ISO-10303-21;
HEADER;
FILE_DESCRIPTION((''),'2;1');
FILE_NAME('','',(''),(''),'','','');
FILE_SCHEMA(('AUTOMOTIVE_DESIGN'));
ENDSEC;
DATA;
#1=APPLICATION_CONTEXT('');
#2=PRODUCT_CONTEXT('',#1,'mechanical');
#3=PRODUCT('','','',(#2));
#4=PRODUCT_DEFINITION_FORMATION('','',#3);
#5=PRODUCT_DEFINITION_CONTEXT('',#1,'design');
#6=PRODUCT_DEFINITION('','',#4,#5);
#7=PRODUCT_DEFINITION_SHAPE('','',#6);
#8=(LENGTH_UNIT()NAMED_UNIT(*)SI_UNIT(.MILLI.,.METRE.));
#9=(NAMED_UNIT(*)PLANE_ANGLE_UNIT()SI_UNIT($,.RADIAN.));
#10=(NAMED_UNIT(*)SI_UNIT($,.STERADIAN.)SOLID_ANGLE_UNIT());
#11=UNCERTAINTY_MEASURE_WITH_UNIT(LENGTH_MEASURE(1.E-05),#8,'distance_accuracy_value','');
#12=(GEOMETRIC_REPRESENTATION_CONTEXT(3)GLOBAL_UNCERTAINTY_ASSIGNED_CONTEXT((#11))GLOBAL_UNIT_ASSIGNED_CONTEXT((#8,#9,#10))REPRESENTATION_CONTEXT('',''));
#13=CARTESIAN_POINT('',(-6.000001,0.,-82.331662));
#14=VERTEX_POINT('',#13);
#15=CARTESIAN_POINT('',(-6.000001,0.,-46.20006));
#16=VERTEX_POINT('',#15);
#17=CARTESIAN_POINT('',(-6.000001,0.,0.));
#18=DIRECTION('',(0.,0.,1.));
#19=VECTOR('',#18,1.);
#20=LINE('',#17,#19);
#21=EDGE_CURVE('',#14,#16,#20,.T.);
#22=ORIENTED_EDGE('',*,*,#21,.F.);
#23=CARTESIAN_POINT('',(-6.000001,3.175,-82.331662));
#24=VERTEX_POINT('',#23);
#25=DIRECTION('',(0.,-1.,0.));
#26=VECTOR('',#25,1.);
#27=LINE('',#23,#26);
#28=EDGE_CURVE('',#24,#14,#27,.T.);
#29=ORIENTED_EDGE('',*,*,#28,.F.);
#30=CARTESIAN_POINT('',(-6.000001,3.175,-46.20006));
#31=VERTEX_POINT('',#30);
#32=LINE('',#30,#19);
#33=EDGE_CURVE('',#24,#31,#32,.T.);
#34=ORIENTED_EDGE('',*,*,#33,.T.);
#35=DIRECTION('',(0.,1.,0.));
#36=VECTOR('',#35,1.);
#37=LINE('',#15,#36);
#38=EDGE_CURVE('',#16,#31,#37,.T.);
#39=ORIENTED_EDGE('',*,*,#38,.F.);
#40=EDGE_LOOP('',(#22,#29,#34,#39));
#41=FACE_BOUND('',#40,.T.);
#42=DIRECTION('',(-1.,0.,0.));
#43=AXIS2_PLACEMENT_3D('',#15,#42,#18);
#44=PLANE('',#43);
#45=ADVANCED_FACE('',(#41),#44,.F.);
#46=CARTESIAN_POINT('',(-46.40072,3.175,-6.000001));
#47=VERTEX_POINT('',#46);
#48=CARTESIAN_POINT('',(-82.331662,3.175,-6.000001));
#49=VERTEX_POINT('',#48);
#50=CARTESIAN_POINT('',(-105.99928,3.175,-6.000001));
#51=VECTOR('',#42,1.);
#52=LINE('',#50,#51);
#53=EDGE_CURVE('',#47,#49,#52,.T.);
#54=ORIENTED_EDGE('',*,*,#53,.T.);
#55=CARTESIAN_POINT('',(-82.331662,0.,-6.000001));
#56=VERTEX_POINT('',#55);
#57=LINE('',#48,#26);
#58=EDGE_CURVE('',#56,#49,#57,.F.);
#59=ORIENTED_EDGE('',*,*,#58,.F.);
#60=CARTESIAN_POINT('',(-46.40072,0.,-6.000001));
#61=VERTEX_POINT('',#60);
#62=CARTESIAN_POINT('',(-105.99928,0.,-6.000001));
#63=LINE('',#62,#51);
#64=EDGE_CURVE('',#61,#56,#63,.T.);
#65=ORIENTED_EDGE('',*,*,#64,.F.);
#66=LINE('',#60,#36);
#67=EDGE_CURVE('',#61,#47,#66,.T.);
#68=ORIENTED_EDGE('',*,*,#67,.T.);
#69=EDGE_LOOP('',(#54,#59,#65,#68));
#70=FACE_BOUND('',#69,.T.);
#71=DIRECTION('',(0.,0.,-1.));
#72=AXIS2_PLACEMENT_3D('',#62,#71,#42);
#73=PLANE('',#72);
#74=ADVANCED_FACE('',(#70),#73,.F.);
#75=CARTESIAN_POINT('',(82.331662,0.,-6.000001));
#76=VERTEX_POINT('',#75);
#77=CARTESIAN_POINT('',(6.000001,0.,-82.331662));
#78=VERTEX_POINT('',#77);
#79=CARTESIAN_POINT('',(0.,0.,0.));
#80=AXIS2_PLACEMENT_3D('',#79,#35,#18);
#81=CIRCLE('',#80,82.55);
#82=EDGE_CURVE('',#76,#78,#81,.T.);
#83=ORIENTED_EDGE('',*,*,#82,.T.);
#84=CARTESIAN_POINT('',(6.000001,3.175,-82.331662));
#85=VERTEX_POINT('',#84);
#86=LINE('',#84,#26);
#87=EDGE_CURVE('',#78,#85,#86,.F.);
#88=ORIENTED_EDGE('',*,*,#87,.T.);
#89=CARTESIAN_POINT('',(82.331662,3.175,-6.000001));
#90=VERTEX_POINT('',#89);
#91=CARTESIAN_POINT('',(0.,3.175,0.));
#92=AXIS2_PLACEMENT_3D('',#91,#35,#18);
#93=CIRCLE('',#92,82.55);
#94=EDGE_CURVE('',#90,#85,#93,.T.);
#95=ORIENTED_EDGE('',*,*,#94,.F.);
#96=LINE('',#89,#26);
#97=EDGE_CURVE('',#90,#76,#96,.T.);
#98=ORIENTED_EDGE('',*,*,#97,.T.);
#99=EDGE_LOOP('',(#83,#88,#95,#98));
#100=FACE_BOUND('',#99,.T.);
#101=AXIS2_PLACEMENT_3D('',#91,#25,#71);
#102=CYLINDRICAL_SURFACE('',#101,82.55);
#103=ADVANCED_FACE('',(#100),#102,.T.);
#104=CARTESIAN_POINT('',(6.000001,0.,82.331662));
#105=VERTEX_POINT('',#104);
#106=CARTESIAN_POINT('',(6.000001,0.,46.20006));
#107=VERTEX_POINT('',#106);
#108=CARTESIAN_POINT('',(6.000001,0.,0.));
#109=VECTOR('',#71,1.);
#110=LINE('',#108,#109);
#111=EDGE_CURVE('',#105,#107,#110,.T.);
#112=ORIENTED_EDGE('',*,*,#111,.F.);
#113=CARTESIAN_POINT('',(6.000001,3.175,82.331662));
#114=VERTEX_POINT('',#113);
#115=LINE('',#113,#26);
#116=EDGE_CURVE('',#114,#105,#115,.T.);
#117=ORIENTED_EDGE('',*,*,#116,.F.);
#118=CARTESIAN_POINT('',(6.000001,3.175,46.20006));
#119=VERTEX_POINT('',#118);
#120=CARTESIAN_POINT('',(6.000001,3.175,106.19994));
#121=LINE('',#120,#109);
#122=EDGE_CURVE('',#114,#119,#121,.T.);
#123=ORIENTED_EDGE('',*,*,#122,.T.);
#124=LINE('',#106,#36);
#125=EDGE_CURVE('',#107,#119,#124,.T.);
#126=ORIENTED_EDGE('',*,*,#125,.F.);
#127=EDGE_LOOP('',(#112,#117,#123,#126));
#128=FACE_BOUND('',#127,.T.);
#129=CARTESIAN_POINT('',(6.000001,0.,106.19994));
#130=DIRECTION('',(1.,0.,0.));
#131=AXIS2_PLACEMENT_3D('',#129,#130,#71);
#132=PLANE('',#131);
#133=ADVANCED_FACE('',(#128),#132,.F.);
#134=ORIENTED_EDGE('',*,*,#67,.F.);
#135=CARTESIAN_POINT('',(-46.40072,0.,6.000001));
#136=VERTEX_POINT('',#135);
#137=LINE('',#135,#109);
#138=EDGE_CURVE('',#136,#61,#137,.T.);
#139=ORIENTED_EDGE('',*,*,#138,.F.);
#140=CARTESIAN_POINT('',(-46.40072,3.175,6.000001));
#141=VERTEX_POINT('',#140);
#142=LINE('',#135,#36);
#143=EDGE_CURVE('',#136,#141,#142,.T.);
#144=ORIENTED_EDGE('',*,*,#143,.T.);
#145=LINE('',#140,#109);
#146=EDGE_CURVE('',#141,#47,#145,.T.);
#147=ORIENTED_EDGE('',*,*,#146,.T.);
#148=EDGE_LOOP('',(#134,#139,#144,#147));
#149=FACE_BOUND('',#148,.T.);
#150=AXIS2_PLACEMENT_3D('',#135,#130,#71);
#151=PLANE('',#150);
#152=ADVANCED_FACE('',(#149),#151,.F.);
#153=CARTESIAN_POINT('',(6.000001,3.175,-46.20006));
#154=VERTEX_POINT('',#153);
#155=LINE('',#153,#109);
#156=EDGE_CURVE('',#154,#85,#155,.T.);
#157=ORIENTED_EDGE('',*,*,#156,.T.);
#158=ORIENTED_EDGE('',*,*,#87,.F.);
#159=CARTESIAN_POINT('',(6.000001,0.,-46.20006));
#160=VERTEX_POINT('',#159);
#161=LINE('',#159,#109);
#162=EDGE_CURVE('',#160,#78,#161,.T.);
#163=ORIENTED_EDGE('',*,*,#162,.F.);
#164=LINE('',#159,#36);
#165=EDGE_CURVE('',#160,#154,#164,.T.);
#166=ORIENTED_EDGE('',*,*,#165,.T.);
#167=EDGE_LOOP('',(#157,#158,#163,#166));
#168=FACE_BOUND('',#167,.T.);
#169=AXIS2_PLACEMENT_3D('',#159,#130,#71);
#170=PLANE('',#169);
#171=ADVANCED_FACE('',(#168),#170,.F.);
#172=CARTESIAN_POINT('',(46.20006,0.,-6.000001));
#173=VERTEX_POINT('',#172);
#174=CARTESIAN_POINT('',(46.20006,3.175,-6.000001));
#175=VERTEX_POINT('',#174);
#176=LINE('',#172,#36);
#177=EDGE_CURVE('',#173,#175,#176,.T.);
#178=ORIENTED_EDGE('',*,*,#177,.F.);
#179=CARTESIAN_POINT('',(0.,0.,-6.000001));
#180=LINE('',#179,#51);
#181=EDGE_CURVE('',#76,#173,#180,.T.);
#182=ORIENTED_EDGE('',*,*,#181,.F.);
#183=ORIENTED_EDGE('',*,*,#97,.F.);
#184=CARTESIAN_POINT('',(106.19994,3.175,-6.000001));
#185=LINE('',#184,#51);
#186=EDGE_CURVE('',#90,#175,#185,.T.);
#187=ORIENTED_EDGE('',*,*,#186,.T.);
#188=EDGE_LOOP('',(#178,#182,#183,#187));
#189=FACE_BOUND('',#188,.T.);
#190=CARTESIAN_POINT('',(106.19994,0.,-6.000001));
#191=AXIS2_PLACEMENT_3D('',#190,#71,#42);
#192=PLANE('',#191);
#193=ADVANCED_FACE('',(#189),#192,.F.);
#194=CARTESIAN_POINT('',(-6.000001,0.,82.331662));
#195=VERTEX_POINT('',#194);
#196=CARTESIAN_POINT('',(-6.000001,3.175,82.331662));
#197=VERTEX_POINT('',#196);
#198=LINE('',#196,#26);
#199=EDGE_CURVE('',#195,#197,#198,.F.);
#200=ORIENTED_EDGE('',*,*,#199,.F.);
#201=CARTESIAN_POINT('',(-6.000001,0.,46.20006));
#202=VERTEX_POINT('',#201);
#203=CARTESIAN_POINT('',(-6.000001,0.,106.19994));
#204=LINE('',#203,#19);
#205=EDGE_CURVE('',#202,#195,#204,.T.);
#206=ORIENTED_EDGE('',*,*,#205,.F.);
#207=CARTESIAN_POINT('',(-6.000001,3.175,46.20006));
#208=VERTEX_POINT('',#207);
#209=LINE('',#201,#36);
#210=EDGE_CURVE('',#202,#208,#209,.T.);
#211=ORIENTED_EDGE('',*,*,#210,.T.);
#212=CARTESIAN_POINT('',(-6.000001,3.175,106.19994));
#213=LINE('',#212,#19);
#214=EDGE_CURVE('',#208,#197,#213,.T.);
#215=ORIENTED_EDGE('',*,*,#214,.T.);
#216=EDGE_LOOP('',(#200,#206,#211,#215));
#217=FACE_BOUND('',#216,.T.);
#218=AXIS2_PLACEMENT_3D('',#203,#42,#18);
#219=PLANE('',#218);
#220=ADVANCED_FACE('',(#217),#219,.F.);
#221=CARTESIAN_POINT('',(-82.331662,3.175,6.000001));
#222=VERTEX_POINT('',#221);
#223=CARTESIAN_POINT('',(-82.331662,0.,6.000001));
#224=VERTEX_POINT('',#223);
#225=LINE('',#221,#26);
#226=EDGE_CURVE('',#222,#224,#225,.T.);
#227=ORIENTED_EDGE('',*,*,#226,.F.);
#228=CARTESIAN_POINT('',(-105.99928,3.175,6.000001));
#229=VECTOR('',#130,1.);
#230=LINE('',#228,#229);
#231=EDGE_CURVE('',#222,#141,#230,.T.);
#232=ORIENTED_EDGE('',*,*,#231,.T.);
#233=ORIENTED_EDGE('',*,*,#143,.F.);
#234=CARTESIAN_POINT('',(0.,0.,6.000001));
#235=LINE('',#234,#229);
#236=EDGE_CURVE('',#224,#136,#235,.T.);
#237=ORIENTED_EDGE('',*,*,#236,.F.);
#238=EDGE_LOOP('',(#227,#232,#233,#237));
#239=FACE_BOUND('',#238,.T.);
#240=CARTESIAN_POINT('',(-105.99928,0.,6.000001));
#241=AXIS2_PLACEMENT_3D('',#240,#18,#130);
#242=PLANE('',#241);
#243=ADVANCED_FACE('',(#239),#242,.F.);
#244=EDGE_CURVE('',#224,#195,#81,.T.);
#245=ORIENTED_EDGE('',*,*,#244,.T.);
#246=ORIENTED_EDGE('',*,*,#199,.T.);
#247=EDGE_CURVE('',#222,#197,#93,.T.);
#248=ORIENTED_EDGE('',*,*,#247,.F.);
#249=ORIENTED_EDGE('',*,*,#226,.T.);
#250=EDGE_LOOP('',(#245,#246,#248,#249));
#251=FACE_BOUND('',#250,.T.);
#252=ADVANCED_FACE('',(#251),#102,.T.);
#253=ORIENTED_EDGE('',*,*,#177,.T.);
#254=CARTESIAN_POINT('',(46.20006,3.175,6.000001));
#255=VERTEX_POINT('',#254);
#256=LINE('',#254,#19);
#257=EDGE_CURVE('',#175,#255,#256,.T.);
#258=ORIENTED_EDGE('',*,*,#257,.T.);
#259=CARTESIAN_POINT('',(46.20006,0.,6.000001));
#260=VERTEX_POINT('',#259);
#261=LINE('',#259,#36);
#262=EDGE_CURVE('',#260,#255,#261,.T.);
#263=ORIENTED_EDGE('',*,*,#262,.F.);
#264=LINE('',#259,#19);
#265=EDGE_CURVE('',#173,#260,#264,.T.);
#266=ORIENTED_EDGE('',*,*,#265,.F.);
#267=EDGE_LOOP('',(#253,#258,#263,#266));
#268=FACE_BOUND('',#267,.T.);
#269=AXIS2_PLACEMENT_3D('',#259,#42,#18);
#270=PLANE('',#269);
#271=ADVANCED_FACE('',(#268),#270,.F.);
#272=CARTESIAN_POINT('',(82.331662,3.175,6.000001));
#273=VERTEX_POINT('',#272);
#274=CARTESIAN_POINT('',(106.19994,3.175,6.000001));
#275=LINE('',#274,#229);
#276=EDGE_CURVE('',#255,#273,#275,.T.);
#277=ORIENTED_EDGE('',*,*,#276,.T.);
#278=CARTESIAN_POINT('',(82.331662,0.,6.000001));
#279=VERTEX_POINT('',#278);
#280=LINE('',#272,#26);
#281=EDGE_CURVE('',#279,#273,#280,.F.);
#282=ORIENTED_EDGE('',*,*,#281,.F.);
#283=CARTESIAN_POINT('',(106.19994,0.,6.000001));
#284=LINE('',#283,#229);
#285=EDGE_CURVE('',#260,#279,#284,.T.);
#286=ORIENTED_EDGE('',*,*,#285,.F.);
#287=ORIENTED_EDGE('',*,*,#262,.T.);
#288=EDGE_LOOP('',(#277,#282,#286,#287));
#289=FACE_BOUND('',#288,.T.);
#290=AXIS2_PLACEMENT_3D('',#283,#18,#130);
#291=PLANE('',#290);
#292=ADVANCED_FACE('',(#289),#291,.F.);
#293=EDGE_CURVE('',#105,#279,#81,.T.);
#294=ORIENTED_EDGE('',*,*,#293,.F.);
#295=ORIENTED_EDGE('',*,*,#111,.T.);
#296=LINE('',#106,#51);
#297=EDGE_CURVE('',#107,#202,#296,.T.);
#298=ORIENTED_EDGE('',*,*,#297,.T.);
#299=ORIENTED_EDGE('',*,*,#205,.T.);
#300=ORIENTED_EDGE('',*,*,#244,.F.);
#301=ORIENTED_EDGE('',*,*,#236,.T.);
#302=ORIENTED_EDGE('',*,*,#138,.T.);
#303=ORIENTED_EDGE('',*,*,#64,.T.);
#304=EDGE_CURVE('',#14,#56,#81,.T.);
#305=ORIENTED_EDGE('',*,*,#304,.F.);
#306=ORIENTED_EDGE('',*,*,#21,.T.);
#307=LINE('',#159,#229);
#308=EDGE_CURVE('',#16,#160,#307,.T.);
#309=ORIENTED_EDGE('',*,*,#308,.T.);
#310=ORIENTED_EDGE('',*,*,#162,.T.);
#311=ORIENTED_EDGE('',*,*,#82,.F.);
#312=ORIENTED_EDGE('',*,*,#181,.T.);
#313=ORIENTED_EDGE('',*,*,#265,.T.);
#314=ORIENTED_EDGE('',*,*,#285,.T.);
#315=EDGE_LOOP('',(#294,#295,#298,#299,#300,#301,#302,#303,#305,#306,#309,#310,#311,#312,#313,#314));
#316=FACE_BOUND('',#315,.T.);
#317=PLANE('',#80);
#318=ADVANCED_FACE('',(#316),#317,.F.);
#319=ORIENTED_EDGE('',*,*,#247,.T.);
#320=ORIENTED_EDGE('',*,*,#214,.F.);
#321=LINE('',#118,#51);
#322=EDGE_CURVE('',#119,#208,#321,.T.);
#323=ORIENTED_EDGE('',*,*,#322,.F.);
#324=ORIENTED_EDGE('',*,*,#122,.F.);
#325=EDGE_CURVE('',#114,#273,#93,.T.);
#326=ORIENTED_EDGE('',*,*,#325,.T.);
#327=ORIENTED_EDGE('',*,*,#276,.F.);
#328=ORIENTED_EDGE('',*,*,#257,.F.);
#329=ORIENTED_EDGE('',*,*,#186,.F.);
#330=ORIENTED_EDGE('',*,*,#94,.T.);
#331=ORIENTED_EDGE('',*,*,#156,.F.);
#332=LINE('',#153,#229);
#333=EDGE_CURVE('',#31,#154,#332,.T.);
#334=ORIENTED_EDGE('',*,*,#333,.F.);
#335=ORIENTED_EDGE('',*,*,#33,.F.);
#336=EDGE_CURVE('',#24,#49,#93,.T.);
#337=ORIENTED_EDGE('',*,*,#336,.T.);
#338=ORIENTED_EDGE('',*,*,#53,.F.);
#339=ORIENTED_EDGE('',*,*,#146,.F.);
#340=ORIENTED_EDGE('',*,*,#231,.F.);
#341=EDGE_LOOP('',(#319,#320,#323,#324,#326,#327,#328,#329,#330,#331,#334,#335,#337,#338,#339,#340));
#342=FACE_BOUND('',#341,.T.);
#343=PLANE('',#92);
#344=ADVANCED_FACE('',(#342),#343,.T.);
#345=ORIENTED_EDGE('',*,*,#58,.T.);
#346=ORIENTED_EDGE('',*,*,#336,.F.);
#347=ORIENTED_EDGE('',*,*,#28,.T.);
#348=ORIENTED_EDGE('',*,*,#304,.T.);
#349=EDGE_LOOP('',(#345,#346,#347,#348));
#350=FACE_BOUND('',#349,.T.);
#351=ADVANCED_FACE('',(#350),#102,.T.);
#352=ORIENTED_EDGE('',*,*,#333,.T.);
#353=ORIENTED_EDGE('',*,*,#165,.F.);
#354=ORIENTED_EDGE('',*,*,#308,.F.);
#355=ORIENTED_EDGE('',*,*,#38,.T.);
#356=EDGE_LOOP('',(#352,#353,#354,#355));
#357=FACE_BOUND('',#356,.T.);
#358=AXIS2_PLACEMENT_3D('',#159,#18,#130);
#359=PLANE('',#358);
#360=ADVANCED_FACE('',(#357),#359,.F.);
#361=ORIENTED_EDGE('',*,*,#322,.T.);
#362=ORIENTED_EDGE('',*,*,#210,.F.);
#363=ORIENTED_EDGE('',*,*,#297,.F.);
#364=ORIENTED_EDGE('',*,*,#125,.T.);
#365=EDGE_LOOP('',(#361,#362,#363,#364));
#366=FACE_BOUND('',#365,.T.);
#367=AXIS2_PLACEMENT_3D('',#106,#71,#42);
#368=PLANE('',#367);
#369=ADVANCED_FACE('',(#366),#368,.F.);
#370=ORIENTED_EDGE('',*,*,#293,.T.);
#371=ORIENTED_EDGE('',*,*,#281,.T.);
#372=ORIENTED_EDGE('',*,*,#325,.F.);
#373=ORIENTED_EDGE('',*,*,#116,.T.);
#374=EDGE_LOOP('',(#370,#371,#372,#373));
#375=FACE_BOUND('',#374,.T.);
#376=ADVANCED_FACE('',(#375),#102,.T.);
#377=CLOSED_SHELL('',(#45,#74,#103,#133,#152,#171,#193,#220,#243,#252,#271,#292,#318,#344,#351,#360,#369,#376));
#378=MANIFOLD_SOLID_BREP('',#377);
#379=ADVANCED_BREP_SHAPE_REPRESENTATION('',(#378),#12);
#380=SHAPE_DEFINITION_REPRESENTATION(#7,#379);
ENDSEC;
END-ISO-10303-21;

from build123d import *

# Parameters (mm, degrees)
SKETCH1_R           = 82.55
BOSS_EXTRUDE1_DEPTH = 3.175
SKETCH2_W           = 59.59856
SKETCH2_H           = 12.0000014
SKETCH2_W_2         = 59.99988
SKETCH2_W_3         = 12.0000014
SKETCH2_H_2         = 59.99988
CUT_EXTRUDE1_DEPTH  = 3.175


with BuildPart() as part:
    # Sketch1 → Boss-Extrude1 (new body)
    with BuildSketch(Plane(origin=(0, 0, 0), x_dir=(1, 0, 0), z_dir=(0, 1, 0))):
        Circle(SKETCH1_R)
    extrude(amount=BOSS_EXTRUDE1_DEPTH)

    # Sketch2 → Cut-Extrude1 (cut)
    with BuildSketch(Plane(origin=(0, 3.175, 0), x_dir=(1, 0, 0), z_dir=(0, 1, 0))):
        with Locations((-76.2, 0)):
            Rectangle(SKETCH2_W, SKETCH2_H)
        with Locations((76.2, 0)):
            Rectangle(SKETCH2_W_2, SKETCH2_H)
        with Locations((0, 76.2)):
            Rectangle(SKETCH2_W_3, SKETCH2_H_2)
        with Locations((0, -76.2)):
            Rectangle(SKETCH2_W_3, SKETCH2_H_2)
    extrude(amount=-CUT_EXTRUDE1_DEPTH, mode=Mode.SUBTRACT)


solid = part.part
